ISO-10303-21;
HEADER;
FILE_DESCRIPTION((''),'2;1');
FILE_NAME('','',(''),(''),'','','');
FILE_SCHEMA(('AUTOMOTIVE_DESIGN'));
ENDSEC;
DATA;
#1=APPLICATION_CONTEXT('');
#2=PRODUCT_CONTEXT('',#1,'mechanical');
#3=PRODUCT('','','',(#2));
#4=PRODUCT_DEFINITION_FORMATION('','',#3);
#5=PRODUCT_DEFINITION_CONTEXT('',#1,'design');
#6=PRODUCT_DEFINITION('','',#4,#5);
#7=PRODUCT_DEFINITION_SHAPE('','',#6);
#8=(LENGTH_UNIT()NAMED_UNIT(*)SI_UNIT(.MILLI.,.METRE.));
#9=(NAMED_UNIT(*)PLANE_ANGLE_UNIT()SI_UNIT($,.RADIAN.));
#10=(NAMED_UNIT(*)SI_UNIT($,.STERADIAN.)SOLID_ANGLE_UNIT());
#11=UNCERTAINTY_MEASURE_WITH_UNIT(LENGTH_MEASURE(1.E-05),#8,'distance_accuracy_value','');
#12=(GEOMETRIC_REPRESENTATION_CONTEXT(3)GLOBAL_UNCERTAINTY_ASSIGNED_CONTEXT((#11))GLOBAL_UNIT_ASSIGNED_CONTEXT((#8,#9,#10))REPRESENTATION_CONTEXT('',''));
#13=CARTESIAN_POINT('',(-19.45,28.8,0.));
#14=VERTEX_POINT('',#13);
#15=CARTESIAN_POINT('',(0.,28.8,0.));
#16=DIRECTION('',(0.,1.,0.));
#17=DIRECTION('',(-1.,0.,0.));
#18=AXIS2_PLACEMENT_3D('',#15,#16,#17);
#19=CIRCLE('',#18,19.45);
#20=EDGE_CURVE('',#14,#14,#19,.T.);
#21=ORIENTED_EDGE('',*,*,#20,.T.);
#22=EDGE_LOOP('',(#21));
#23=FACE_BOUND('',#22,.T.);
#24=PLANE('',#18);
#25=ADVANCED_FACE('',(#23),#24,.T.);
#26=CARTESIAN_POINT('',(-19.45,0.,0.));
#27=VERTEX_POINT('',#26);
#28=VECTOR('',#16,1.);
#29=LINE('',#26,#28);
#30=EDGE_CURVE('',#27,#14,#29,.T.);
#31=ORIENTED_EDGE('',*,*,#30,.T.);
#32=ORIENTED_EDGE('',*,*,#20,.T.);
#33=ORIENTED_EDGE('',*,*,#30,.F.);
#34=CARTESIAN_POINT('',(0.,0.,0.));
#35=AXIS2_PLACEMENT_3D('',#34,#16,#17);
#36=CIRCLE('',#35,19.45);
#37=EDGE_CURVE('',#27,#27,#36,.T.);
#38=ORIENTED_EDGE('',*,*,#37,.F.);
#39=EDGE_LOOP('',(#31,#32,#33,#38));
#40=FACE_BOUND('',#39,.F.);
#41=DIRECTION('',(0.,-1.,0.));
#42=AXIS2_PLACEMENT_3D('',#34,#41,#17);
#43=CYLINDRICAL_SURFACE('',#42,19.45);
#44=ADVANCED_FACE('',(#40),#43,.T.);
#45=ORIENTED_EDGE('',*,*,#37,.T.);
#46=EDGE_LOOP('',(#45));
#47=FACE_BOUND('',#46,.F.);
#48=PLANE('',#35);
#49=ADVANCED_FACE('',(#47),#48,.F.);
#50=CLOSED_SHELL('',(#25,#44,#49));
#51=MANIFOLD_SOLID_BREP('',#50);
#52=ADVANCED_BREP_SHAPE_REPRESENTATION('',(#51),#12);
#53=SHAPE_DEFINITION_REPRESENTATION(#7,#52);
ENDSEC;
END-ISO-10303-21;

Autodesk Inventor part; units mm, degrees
ref_plane "YZ Plane" through (0, 0, 0) normal (1, 0, 0) x (0, 1, 0)
ref_plane "XZ Plane" through (0, 0, 0) normal (0, 1, 0) x (-1, 0, 0)
ref_plane "XY Plane" through (0, 0, 0) normal (0, 0, 1) x (1, 0, 0)
sketch "Sketch1" plane through (0, 0, 0) normal (0, 1, 0) x (-1, 0, 0)
  circle A0 centre (0, 0) radius 19.45
  dimension "d0" = 38.9
extrude "Extrusion1" add sketch "Sketch1" along normal blind 28.8
properties part number "motor" material "Motor"
